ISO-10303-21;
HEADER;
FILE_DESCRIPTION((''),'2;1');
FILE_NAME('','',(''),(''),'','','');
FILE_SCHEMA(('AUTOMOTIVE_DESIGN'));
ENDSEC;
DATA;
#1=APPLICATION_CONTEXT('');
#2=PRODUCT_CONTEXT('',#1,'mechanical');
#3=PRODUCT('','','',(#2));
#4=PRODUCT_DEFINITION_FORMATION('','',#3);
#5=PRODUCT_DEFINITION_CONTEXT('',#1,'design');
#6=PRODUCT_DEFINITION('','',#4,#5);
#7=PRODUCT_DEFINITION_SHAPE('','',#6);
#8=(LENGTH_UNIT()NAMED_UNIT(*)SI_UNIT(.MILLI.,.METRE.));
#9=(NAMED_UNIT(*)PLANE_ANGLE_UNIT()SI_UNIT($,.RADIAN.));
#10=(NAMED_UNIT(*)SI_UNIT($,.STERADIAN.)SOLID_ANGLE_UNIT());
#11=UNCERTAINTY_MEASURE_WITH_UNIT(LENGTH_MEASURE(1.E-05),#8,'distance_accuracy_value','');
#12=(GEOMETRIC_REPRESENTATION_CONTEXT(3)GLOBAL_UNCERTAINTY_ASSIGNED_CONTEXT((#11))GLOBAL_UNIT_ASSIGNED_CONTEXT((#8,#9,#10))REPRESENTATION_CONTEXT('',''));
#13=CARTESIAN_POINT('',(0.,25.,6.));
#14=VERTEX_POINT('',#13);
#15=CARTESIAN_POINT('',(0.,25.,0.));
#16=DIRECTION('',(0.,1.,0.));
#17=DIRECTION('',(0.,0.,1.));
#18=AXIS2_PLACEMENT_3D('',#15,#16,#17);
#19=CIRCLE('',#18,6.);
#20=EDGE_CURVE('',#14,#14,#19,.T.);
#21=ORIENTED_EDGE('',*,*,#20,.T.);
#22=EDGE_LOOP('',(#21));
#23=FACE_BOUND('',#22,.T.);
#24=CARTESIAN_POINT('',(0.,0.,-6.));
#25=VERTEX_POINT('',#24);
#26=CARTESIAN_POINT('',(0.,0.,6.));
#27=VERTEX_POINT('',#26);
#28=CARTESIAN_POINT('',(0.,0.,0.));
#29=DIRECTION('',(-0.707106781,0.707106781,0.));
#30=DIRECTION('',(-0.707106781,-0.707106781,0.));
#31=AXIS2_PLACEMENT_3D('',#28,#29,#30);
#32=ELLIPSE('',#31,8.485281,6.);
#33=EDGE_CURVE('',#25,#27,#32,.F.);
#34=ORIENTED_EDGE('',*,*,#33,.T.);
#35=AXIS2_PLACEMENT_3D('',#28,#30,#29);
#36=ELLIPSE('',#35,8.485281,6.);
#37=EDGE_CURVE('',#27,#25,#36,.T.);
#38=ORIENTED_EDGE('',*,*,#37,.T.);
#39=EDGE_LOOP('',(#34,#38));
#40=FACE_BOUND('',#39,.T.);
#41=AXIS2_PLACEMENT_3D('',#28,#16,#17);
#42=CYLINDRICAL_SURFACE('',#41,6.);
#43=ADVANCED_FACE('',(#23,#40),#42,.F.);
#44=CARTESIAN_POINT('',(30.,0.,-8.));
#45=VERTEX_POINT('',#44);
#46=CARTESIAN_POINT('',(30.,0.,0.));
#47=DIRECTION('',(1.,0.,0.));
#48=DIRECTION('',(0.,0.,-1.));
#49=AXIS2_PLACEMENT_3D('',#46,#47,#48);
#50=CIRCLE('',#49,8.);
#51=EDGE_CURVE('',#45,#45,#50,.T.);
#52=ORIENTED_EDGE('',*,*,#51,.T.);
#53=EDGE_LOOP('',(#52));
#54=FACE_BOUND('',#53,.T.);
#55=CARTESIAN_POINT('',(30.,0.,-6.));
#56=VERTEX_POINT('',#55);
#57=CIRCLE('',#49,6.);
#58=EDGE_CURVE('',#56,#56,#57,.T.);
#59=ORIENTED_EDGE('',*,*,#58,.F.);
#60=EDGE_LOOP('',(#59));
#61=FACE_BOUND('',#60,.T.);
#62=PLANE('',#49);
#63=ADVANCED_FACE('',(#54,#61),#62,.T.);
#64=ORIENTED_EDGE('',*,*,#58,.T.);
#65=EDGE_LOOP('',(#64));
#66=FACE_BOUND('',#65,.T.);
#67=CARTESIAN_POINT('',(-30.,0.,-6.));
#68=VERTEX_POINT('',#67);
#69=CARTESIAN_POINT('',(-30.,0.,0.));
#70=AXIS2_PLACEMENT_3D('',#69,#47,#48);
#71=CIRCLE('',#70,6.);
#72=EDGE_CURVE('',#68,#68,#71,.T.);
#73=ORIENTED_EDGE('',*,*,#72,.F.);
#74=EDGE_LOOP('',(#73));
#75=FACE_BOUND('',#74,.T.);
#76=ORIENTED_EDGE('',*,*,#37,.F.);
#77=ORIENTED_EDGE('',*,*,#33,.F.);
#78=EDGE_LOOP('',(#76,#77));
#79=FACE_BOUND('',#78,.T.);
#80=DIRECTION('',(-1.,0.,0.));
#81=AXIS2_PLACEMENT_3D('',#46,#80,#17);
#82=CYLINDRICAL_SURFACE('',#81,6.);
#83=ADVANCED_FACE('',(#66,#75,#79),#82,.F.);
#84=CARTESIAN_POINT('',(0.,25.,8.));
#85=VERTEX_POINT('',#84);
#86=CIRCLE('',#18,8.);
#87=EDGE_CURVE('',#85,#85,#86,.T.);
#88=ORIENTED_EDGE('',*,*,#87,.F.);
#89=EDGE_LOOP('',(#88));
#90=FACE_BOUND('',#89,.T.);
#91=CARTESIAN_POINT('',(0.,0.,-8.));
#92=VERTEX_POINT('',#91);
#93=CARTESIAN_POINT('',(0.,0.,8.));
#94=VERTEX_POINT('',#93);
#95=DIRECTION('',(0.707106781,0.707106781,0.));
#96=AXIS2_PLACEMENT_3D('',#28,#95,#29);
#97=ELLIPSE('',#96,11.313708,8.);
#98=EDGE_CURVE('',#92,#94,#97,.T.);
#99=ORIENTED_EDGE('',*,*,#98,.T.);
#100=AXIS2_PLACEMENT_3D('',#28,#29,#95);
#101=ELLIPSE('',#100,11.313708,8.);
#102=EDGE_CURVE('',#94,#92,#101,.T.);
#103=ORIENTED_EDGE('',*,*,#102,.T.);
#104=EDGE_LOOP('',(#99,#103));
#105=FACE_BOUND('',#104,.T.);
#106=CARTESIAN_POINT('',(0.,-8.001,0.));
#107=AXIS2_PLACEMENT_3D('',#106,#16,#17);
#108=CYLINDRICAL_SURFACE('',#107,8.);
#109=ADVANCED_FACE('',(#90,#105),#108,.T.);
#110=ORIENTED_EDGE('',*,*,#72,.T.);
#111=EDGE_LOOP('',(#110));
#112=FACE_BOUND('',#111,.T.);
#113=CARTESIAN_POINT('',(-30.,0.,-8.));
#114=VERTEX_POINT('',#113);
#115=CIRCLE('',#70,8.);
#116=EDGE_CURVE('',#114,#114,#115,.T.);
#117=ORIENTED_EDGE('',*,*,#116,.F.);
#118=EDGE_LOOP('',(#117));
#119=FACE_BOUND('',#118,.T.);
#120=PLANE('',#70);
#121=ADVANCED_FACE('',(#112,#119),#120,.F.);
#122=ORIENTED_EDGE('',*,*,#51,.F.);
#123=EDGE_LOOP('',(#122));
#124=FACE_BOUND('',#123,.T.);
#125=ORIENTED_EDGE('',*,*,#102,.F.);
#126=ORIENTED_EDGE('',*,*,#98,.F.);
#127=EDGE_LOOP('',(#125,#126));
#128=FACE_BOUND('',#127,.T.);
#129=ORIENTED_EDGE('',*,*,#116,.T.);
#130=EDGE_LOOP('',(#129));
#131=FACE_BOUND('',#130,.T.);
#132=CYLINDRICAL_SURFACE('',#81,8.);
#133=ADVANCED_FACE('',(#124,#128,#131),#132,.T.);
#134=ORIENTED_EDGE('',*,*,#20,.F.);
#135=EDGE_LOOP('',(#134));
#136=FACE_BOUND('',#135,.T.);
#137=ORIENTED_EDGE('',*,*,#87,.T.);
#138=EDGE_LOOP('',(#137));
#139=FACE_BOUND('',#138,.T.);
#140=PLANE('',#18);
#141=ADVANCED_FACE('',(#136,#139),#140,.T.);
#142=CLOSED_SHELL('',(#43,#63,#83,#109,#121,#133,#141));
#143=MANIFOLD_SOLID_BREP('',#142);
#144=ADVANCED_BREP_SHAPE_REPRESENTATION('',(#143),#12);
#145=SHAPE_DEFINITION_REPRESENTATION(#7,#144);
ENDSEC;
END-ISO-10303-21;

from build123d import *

# Parameters (mm, degrees)
SKETCH1_R           = 8
SKETCH1_R_2         = 6
BOSS_EXTRUDE1_DEPTH = 30
BOSS_EXTRUDE2_REACH = 35
SKETCH3_R           = 8
SKETCH4_R           = 6
CUT_EXTRUDE1_DEPTH  = 25


with BuildPart() as part:
    # Sketch1 → Boss-Extrude1 (new body, symmetric)
    with BuildSketch(Plane(origin=(0, 0, 0), x_dir=(0, 0, -1), z_dir=(1, 0, 0))):
        Circle(SKETCH1_R)
        Circle(SKETCH1_R_2, mode=Mode.SUBTRACT)
    extrude(amount=BOSS_EXTRUDE1_DEPTH, both=True)

    # Sketch3 → Boss-Extrude2 (add, up to next)
    with BuildSketch(Plane(origin=(0, 25, 0), x_dir=(1, 0, 0), z_dir=(0, 1, 0)), mode=Mode.PRIVATE) as boss_extrude2_sk1:
        Circle(SKETCH3_R)
    boss_extrude2_tool1 = extrude(boss_extrude2_sk1.sketch, amount=-BOSS_EXTRUDE2_REACH, mode=Mode.PRIVATE) - part.part
    add(boss_extrude2_tool1.solids().sort_by_distance((0, 25, 0))[0])

    # Sketch4 → Cut-Extrude1 (cut)
    with BuildSketch(Plane(origin=(0, 25, 0), x_dir=(1, 0, 0), z_dir=(0, 1, 0))):
        Circle(SKETCH4_R)
    extrude(amount=-CUT_EXTRUDE1_DEPTH, mode=Mode.SUBTRACT)


solid = part.part
